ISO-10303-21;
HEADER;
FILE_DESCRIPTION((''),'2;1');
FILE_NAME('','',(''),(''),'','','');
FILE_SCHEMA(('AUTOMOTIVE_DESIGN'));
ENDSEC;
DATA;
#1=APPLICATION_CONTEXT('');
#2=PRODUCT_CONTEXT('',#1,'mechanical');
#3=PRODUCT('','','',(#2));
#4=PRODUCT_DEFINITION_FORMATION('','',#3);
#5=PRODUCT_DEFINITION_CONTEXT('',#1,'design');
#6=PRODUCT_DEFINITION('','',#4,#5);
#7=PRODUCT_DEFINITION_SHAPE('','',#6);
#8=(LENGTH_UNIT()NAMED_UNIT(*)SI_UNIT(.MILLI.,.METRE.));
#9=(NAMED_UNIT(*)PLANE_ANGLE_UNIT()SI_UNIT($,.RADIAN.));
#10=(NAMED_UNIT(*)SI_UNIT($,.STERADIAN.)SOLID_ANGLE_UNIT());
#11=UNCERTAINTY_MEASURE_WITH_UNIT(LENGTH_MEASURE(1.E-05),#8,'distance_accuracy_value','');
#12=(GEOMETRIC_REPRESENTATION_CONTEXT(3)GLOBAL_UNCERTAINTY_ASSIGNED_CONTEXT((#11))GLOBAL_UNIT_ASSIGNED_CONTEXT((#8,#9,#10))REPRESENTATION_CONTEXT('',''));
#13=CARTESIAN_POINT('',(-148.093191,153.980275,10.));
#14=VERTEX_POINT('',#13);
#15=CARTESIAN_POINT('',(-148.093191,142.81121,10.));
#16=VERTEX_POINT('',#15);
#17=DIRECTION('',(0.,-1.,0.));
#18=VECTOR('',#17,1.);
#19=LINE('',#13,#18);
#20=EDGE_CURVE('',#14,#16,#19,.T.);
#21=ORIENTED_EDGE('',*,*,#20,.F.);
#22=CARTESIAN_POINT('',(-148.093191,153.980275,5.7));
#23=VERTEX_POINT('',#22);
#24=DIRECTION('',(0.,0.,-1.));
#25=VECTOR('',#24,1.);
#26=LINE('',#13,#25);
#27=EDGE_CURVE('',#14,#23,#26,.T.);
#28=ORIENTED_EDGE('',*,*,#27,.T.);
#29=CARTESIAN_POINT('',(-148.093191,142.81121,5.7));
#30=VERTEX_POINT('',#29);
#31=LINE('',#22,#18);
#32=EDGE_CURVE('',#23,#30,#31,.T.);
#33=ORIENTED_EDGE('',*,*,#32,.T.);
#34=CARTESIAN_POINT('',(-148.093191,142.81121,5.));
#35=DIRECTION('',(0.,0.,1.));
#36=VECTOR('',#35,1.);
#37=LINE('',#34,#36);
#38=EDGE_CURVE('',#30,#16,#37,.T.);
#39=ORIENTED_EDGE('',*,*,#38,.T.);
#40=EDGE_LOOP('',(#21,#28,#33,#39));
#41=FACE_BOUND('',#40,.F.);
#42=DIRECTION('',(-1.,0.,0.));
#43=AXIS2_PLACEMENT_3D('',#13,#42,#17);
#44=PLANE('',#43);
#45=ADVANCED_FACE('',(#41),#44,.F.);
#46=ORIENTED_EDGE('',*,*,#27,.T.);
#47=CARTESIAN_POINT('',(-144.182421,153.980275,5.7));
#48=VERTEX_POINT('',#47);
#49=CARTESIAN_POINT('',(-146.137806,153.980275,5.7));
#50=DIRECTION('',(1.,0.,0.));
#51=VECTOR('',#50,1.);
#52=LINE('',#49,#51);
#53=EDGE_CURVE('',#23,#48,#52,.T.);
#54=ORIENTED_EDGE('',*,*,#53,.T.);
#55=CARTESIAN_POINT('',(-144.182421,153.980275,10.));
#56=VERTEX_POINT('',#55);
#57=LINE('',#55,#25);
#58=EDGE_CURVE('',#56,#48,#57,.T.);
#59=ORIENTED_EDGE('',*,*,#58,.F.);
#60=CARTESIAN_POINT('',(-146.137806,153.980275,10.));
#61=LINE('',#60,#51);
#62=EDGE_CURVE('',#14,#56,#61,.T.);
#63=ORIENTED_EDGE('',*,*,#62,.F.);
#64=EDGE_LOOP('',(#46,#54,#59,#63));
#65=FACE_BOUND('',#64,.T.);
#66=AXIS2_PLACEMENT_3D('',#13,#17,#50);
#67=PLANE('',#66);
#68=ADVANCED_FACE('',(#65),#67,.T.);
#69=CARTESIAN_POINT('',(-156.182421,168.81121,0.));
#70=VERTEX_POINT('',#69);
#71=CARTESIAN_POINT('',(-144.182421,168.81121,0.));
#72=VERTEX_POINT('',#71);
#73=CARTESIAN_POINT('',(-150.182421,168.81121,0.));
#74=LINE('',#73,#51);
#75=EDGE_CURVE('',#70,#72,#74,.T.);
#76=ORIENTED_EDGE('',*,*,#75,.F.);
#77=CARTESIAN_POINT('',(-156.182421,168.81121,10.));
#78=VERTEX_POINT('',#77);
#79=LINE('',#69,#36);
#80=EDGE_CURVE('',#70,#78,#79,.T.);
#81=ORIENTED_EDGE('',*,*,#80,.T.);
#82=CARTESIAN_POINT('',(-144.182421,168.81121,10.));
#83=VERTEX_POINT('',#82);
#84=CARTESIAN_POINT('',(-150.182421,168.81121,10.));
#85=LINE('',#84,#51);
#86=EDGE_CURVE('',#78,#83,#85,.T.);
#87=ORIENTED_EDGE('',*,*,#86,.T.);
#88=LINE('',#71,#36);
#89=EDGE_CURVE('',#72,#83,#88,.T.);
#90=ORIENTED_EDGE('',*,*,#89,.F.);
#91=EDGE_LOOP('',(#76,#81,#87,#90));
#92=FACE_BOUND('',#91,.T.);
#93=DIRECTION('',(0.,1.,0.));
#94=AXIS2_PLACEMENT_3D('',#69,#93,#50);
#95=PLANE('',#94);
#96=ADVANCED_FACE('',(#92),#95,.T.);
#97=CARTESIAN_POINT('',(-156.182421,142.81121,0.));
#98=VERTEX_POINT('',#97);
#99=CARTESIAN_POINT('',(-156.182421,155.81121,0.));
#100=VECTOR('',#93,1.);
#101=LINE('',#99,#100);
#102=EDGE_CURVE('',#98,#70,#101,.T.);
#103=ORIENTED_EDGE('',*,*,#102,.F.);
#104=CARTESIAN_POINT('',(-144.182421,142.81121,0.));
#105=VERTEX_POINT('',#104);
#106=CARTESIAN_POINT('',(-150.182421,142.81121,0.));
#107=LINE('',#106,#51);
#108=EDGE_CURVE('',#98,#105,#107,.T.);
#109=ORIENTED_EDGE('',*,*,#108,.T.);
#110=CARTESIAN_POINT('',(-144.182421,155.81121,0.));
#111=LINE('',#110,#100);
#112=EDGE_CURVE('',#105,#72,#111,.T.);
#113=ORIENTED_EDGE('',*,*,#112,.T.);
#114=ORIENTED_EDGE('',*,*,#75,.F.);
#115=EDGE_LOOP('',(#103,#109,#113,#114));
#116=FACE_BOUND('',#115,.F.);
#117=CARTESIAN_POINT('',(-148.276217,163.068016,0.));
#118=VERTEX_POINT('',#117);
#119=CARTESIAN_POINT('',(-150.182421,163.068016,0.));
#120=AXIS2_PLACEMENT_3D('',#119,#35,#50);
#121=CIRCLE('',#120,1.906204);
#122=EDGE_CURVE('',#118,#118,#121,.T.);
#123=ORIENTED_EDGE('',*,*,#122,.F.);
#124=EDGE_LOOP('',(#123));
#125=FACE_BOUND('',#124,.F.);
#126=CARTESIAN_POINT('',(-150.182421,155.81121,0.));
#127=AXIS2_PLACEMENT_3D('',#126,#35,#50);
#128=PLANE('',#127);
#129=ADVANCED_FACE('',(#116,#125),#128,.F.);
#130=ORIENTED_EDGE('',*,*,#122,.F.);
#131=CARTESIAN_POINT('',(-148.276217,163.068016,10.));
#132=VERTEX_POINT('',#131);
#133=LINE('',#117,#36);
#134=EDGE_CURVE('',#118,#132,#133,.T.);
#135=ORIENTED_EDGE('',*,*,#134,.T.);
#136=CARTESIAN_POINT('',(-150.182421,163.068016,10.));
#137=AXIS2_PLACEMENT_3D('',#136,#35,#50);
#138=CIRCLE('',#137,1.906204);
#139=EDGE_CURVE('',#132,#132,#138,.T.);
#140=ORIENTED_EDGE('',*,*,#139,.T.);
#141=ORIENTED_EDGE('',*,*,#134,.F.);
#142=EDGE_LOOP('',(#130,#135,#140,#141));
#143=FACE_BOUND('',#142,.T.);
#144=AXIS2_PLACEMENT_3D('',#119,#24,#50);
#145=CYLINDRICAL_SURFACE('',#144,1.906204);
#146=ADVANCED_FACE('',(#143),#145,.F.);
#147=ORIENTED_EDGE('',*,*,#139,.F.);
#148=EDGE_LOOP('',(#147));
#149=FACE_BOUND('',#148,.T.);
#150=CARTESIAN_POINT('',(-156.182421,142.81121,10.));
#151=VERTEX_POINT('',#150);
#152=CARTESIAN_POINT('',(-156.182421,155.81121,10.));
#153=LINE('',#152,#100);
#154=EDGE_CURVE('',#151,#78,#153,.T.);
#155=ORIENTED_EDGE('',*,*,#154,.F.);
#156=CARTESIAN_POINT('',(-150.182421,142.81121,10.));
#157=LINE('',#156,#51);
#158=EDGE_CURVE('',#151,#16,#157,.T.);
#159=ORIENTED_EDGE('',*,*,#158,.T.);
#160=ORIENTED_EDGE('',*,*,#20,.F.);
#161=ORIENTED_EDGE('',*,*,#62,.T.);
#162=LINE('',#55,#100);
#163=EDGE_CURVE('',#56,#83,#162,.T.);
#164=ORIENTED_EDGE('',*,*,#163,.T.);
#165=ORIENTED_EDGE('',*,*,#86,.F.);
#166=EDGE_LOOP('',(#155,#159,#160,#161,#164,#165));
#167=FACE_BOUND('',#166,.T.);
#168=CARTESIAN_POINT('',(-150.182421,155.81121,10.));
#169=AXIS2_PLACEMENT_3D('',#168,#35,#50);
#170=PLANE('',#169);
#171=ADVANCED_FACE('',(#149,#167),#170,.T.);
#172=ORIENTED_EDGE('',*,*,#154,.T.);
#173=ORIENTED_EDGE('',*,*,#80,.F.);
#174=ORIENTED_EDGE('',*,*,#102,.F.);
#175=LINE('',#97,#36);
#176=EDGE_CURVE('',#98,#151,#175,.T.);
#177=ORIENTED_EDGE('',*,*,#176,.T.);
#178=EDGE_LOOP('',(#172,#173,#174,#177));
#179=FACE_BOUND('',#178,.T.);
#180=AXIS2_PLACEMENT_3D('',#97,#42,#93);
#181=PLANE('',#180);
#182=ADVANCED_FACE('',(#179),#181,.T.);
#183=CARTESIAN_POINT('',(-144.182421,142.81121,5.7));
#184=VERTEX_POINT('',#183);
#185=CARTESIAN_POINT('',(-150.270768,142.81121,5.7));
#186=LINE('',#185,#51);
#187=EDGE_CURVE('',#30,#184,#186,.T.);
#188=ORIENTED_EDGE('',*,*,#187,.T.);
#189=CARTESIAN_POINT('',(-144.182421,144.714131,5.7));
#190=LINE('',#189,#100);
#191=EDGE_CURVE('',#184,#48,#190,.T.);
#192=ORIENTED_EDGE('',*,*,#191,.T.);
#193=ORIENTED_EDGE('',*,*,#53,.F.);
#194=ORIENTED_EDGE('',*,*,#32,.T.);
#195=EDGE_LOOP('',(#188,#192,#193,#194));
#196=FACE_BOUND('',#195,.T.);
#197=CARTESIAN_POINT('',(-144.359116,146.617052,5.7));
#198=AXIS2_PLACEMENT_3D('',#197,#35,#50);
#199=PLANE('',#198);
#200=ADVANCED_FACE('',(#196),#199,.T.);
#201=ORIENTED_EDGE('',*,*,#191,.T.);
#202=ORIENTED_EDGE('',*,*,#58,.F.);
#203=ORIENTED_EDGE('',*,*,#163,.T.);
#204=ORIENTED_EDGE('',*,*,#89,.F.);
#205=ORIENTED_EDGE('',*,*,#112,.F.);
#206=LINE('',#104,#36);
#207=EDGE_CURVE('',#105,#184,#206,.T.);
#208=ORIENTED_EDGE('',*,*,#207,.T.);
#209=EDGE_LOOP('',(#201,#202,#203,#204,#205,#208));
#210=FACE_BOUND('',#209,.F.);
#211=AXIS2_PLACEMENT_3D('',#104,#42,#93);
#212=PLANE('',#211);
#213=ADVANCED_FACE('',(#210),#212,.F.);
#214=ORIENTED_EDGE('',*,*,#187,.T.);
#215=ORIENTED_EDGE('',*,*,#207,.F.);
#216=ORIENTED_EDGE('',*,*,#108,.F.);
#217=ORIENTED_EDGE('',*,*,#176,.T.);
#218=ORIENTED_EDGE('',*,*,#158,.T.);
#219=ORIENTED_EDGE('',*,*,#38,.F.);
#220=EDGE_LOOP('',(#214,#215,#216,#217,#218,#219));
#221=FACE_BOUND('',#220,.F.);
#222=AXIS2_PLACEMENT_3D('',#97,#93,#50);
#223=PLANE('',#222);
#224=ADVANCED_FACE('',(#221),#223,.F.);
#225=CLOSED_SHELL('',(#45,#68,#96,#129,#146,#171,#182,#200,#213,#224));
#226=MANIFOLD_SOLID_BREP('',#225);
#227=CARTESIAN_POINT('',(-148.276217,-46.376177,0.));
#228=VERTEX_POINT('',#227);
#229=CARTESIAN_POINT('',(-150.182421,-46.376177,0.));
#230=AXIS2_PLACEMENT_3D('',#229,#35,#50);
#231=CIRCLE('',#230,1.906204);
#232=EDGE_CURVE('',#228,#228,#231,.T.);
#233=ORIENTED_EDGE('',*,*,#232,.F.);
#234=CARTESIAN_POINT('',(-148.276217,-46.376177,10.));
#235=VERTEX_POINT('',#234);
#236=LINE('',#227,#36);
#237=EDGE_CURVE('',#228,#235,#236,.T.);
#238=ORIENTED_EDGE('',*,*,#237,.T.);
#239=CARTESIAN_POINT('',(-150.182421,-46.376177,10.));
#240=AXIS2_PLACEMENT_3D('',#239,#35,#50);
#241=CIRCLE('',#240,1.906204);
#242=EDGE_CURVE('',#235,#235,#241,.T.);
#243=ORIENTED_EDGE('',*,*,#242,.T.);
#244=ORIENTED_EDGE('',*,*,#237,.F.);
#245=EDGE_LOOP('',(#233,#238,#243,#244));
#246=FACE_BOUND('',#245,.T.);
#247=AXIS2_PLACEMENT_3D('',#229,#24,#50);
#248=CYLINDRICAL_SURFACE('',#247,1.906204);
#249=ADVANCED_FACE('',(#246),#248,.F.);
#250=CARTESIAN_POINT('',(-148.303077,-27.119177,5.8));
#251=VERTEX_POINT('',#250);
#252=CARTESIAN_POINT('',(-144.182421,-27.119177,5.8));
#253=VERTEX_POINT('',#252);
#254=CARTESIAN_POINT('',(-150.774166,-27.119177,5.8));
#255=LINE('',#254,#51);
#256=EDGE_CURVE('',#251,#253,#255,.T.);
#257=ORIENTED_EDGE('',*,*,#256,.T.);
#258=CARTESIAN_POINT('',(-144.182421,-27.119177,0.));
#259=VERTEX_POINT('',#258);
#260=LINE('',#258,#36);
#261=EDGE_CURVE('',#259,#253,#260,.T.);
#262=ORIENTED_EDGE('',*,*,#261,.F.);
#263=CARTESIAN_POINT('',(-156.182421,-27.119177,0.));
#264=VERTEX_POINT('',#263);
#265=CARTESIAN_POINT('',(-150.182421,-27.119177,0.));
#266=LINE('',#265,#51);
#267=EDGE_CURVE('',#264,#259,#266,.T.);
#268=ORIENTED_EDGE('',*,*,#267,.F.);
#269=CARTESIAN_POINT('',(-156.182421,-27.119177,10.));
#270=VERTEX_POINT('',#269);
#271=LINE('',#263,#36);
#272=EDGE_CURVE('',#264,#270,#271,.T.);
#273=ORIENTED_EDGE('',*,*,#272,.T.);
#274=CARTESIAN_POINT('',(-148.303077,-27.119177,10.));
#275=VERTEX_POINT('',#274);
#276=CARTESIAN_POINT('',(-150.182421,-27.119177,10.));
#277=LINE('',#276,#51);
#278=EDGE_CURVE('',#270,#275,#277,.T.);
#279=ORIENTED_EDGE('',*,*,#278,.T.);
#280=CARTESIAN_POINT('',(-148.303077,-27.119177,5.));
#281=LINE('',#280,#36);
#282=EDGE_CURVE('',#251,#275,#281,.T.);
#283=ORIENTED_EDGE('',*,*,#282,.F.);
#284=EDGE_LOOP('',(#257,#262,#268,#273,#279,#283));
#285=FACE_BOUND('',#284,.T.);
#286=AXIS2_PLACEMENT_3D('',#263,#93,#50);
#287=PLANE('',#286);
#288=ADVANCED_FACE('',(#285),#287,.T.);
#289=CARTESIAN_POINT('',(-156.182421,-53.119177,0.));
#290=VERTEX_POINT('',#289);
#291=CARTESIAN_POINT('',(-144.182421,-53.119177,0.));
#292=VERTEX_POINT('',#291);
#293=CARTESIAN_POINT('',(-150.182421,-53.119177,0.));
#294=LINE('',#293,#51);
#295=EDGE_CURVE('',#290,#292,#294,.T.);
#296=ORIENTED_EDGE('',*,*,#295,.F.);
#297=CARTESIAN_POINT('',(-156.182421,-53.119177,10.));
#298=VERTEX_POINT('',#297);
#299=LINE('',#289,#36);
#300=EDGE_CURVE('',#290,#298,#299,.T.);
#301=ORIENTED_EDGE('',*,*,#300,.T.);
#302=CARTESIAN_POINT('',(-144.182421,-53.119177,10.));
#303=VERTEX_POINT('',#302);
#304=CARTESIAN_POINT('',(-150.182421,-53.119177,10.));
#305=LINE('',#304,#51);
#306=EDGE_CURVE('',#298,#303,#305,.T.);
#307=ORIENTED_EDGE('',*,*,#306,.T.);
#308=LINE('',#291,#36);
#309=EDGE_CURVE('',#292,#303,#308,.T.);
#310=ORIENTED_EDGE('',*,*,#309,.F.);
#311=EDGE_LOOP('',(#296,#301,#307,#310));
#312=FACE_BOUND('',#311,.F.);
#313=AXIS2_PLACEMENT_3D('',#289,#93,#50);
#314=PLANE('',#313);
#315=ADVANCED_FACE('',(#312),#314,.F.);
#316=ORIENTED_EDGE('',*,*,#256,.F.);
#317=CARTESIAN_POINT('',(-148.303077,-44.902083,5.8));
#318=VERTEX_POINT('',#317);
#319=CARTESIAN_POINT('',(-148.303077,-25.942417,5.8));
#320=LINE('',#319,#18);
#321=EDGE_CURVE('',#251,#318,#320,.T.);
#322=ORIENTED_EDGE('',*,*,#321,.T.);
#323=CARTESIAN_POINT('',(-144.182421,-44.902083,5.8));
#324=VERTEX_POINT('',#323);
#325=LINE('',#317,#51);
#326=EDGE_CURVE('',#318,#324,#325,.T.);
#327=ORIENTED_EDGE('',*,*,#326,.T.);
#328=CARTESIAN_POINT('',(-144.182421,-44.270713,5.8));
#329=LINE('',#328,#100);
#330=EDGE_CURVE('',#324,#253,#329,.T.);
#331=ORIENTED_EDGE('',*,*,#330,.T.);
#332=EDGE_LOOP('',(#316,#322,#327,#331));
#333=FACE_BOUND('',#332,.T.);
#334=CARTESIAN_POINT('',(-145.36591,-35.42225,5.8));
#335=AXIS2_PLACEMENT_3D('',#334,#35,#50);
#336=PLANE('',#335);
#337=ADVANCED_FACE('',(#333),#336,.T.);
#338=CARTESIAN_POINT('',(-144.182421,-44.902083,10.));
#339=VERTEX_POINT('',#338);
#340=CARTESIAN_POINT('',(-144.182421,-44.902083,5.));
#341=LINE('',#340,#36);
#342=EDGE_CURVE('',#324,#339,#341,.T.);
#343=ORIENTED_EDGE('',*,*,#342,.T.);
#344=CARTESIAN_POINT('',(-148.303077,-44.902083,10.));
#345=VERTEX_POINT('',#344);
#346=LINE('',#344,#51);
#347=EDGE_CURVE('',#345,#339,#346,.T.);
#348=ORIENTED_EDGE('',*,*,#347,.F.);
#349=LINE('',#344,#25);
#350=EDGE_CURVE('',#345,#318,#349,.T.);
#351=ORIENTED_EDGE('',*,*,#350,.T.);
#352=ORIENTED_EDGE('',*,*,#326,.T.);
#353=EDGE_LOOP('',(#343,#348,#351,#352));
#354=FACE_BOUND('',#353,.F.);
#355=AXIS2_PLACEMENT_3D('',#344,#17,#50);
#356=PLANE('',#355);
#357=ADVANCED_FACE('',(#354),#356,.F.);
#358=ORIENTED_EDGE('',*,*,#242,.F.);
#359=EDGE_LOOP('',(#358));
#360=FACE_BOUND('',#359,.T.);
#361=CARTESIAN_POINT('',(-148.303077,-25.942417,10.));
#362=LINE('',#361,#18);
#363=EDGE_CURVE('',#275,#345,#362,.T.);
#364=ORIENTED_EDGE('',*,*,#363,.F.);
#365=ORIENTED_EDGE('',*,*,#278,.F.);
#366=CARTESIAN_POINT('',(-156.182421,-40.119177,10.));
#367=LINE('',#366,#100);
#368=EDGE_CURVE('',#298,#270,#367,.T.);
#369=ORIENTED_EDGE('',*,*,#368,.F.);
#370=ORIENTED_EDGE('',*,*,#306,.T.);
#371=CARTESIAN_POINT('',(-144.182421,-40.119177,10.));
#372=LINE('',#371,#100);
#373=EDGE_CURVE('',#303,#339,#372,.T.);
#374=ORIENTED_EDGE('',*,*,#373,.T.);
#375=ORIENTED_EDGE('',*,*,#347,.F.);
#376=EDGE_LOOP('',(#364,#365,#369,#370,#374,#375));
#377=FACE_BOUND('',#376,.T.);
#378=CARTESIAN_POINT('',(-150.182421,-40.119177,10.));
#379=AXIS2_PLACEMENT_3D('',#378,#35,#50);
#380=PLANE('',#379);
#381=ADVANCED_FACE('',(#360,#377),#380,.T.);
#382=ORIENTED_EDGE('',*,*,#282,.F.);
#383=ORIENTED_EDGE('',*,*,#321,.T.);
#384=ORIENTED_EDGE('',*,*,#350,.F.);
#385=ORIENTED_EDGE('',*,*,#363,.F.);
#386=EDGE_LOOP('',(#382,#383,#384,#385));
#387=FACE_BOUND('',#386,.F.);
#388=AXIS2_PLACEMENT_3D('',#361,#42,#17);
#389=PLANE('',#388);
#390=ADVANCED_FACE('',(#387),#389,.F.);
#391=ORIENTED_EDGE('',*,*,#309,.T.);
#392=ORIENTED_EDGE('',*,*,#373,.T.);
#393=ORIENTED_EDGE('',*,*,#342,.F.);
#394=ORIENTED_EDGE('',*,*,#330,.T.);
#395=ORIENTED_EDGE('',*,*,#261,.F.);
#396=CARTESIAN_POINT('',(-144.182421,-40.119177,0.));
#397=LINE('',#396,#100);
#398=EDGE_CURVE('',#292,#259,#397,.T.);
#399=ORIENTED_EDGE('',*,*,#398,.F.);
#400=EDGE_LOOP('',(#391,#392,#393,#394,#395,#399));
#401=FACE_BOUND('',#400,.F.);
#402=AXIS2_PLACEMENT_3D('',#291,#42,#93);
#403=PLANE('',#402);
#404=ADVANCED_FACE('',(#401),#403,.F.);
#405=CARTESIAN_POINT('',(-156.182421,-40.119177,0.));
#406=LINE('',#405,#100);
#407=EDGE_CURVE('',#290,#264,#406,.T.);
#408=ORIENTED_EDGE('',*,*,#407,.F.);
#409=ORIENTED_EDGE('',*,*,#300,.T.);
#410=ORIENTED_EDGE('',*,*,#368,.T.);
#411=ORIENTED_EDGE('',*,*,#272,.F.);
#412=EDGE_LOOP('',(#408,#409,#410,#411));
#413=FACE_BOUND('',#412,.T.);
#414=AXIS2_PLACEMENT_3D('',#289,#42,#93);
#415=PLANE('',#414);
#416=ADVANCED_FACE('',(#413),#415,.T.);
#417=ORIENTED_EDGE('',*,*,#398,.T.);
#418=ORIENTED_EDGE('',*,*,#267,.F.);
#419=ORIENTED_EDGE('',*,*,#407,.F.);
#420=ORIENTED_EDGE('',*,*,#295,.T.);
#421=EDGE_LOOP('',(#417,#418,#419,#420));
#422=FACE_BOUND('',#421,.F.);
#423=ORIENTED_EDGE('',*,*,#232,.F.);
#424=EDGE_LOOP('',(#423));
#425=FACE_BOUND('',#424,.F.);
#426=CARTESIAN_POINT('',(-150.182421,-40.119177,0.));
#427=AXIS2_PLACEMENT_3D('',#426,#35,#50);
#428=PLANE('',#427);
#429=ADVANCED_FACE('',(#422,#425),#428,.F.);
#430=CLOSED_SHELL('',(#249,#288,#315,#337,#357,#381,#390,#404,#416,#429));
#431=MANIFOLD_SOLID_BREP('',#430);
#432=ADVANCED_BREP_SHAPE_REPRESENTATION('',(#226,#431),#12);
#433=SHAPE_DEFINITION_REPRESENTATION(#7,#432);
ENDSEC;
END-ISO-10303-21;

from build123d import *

# Parameters (mm, degrees)
F0_W     = 12
F0_H     = 26
F0_R     = 1.906204
F1_DEPTH = 10
F2_W     = 3.91077
F2_H     = 11.169065
F3_DEPTH = 4.3
F5_DEPTH = 4.2


with BuildPart() as f1:
    # F0 (on Top) → F1 (new body)
    with BuildSketch(Plane.XY):
        with Locations((-150.182421, 155.81121)):
            Rectangle(F0_W, F0_H)
        with Locations((-150.182421, 163.068016)):
            Circle(F0_R, mode=Mode.SUBTRACT)
        with Locations((-150.182421, -40.119177)):
            Rectangle(F0_W, F0_H)
        with Locations((-150.182421, -46.376177)):
            Circle(F0_R, mode=Mode.SUBTRACT)
    extrude(amount=F1_DEPTH)

    # F2 (on face) → F3 (cut)
    with BuildSketch(Plane.XY.offset(10)):
        Polygon((-143.182421, 153.980275), (-144.182421, 153.980275), (-144.182421, 142.81121), (-148.093191, 142.81121), (-148.093191, 141.81121), (-143.182421, 141.81121), align=None)
        with Locations((-146.137806, 148.395742)):
            Rectangle(F2_W, F2_H)
    extrude(amount=-F3_DEPTH, mode=Mode.SUBTRACT)

    # F4 (on face) → F5 (cut)
    with BuildSketch(Plane.XY.offset(10)):
        Polygon((-142.428743, -25.942417), (-147.725043, -25.942417), (-148.303077, -25.942417), (-148.303077, -44.902083), (-147.725043, -44.902083), (-142.428743, -44.902083), (-142.428743, -43.325493), align=None)
    extrude(amount=-F5_DEPTH, mode=Mode.SUBTRACT)


solid = f1.part
